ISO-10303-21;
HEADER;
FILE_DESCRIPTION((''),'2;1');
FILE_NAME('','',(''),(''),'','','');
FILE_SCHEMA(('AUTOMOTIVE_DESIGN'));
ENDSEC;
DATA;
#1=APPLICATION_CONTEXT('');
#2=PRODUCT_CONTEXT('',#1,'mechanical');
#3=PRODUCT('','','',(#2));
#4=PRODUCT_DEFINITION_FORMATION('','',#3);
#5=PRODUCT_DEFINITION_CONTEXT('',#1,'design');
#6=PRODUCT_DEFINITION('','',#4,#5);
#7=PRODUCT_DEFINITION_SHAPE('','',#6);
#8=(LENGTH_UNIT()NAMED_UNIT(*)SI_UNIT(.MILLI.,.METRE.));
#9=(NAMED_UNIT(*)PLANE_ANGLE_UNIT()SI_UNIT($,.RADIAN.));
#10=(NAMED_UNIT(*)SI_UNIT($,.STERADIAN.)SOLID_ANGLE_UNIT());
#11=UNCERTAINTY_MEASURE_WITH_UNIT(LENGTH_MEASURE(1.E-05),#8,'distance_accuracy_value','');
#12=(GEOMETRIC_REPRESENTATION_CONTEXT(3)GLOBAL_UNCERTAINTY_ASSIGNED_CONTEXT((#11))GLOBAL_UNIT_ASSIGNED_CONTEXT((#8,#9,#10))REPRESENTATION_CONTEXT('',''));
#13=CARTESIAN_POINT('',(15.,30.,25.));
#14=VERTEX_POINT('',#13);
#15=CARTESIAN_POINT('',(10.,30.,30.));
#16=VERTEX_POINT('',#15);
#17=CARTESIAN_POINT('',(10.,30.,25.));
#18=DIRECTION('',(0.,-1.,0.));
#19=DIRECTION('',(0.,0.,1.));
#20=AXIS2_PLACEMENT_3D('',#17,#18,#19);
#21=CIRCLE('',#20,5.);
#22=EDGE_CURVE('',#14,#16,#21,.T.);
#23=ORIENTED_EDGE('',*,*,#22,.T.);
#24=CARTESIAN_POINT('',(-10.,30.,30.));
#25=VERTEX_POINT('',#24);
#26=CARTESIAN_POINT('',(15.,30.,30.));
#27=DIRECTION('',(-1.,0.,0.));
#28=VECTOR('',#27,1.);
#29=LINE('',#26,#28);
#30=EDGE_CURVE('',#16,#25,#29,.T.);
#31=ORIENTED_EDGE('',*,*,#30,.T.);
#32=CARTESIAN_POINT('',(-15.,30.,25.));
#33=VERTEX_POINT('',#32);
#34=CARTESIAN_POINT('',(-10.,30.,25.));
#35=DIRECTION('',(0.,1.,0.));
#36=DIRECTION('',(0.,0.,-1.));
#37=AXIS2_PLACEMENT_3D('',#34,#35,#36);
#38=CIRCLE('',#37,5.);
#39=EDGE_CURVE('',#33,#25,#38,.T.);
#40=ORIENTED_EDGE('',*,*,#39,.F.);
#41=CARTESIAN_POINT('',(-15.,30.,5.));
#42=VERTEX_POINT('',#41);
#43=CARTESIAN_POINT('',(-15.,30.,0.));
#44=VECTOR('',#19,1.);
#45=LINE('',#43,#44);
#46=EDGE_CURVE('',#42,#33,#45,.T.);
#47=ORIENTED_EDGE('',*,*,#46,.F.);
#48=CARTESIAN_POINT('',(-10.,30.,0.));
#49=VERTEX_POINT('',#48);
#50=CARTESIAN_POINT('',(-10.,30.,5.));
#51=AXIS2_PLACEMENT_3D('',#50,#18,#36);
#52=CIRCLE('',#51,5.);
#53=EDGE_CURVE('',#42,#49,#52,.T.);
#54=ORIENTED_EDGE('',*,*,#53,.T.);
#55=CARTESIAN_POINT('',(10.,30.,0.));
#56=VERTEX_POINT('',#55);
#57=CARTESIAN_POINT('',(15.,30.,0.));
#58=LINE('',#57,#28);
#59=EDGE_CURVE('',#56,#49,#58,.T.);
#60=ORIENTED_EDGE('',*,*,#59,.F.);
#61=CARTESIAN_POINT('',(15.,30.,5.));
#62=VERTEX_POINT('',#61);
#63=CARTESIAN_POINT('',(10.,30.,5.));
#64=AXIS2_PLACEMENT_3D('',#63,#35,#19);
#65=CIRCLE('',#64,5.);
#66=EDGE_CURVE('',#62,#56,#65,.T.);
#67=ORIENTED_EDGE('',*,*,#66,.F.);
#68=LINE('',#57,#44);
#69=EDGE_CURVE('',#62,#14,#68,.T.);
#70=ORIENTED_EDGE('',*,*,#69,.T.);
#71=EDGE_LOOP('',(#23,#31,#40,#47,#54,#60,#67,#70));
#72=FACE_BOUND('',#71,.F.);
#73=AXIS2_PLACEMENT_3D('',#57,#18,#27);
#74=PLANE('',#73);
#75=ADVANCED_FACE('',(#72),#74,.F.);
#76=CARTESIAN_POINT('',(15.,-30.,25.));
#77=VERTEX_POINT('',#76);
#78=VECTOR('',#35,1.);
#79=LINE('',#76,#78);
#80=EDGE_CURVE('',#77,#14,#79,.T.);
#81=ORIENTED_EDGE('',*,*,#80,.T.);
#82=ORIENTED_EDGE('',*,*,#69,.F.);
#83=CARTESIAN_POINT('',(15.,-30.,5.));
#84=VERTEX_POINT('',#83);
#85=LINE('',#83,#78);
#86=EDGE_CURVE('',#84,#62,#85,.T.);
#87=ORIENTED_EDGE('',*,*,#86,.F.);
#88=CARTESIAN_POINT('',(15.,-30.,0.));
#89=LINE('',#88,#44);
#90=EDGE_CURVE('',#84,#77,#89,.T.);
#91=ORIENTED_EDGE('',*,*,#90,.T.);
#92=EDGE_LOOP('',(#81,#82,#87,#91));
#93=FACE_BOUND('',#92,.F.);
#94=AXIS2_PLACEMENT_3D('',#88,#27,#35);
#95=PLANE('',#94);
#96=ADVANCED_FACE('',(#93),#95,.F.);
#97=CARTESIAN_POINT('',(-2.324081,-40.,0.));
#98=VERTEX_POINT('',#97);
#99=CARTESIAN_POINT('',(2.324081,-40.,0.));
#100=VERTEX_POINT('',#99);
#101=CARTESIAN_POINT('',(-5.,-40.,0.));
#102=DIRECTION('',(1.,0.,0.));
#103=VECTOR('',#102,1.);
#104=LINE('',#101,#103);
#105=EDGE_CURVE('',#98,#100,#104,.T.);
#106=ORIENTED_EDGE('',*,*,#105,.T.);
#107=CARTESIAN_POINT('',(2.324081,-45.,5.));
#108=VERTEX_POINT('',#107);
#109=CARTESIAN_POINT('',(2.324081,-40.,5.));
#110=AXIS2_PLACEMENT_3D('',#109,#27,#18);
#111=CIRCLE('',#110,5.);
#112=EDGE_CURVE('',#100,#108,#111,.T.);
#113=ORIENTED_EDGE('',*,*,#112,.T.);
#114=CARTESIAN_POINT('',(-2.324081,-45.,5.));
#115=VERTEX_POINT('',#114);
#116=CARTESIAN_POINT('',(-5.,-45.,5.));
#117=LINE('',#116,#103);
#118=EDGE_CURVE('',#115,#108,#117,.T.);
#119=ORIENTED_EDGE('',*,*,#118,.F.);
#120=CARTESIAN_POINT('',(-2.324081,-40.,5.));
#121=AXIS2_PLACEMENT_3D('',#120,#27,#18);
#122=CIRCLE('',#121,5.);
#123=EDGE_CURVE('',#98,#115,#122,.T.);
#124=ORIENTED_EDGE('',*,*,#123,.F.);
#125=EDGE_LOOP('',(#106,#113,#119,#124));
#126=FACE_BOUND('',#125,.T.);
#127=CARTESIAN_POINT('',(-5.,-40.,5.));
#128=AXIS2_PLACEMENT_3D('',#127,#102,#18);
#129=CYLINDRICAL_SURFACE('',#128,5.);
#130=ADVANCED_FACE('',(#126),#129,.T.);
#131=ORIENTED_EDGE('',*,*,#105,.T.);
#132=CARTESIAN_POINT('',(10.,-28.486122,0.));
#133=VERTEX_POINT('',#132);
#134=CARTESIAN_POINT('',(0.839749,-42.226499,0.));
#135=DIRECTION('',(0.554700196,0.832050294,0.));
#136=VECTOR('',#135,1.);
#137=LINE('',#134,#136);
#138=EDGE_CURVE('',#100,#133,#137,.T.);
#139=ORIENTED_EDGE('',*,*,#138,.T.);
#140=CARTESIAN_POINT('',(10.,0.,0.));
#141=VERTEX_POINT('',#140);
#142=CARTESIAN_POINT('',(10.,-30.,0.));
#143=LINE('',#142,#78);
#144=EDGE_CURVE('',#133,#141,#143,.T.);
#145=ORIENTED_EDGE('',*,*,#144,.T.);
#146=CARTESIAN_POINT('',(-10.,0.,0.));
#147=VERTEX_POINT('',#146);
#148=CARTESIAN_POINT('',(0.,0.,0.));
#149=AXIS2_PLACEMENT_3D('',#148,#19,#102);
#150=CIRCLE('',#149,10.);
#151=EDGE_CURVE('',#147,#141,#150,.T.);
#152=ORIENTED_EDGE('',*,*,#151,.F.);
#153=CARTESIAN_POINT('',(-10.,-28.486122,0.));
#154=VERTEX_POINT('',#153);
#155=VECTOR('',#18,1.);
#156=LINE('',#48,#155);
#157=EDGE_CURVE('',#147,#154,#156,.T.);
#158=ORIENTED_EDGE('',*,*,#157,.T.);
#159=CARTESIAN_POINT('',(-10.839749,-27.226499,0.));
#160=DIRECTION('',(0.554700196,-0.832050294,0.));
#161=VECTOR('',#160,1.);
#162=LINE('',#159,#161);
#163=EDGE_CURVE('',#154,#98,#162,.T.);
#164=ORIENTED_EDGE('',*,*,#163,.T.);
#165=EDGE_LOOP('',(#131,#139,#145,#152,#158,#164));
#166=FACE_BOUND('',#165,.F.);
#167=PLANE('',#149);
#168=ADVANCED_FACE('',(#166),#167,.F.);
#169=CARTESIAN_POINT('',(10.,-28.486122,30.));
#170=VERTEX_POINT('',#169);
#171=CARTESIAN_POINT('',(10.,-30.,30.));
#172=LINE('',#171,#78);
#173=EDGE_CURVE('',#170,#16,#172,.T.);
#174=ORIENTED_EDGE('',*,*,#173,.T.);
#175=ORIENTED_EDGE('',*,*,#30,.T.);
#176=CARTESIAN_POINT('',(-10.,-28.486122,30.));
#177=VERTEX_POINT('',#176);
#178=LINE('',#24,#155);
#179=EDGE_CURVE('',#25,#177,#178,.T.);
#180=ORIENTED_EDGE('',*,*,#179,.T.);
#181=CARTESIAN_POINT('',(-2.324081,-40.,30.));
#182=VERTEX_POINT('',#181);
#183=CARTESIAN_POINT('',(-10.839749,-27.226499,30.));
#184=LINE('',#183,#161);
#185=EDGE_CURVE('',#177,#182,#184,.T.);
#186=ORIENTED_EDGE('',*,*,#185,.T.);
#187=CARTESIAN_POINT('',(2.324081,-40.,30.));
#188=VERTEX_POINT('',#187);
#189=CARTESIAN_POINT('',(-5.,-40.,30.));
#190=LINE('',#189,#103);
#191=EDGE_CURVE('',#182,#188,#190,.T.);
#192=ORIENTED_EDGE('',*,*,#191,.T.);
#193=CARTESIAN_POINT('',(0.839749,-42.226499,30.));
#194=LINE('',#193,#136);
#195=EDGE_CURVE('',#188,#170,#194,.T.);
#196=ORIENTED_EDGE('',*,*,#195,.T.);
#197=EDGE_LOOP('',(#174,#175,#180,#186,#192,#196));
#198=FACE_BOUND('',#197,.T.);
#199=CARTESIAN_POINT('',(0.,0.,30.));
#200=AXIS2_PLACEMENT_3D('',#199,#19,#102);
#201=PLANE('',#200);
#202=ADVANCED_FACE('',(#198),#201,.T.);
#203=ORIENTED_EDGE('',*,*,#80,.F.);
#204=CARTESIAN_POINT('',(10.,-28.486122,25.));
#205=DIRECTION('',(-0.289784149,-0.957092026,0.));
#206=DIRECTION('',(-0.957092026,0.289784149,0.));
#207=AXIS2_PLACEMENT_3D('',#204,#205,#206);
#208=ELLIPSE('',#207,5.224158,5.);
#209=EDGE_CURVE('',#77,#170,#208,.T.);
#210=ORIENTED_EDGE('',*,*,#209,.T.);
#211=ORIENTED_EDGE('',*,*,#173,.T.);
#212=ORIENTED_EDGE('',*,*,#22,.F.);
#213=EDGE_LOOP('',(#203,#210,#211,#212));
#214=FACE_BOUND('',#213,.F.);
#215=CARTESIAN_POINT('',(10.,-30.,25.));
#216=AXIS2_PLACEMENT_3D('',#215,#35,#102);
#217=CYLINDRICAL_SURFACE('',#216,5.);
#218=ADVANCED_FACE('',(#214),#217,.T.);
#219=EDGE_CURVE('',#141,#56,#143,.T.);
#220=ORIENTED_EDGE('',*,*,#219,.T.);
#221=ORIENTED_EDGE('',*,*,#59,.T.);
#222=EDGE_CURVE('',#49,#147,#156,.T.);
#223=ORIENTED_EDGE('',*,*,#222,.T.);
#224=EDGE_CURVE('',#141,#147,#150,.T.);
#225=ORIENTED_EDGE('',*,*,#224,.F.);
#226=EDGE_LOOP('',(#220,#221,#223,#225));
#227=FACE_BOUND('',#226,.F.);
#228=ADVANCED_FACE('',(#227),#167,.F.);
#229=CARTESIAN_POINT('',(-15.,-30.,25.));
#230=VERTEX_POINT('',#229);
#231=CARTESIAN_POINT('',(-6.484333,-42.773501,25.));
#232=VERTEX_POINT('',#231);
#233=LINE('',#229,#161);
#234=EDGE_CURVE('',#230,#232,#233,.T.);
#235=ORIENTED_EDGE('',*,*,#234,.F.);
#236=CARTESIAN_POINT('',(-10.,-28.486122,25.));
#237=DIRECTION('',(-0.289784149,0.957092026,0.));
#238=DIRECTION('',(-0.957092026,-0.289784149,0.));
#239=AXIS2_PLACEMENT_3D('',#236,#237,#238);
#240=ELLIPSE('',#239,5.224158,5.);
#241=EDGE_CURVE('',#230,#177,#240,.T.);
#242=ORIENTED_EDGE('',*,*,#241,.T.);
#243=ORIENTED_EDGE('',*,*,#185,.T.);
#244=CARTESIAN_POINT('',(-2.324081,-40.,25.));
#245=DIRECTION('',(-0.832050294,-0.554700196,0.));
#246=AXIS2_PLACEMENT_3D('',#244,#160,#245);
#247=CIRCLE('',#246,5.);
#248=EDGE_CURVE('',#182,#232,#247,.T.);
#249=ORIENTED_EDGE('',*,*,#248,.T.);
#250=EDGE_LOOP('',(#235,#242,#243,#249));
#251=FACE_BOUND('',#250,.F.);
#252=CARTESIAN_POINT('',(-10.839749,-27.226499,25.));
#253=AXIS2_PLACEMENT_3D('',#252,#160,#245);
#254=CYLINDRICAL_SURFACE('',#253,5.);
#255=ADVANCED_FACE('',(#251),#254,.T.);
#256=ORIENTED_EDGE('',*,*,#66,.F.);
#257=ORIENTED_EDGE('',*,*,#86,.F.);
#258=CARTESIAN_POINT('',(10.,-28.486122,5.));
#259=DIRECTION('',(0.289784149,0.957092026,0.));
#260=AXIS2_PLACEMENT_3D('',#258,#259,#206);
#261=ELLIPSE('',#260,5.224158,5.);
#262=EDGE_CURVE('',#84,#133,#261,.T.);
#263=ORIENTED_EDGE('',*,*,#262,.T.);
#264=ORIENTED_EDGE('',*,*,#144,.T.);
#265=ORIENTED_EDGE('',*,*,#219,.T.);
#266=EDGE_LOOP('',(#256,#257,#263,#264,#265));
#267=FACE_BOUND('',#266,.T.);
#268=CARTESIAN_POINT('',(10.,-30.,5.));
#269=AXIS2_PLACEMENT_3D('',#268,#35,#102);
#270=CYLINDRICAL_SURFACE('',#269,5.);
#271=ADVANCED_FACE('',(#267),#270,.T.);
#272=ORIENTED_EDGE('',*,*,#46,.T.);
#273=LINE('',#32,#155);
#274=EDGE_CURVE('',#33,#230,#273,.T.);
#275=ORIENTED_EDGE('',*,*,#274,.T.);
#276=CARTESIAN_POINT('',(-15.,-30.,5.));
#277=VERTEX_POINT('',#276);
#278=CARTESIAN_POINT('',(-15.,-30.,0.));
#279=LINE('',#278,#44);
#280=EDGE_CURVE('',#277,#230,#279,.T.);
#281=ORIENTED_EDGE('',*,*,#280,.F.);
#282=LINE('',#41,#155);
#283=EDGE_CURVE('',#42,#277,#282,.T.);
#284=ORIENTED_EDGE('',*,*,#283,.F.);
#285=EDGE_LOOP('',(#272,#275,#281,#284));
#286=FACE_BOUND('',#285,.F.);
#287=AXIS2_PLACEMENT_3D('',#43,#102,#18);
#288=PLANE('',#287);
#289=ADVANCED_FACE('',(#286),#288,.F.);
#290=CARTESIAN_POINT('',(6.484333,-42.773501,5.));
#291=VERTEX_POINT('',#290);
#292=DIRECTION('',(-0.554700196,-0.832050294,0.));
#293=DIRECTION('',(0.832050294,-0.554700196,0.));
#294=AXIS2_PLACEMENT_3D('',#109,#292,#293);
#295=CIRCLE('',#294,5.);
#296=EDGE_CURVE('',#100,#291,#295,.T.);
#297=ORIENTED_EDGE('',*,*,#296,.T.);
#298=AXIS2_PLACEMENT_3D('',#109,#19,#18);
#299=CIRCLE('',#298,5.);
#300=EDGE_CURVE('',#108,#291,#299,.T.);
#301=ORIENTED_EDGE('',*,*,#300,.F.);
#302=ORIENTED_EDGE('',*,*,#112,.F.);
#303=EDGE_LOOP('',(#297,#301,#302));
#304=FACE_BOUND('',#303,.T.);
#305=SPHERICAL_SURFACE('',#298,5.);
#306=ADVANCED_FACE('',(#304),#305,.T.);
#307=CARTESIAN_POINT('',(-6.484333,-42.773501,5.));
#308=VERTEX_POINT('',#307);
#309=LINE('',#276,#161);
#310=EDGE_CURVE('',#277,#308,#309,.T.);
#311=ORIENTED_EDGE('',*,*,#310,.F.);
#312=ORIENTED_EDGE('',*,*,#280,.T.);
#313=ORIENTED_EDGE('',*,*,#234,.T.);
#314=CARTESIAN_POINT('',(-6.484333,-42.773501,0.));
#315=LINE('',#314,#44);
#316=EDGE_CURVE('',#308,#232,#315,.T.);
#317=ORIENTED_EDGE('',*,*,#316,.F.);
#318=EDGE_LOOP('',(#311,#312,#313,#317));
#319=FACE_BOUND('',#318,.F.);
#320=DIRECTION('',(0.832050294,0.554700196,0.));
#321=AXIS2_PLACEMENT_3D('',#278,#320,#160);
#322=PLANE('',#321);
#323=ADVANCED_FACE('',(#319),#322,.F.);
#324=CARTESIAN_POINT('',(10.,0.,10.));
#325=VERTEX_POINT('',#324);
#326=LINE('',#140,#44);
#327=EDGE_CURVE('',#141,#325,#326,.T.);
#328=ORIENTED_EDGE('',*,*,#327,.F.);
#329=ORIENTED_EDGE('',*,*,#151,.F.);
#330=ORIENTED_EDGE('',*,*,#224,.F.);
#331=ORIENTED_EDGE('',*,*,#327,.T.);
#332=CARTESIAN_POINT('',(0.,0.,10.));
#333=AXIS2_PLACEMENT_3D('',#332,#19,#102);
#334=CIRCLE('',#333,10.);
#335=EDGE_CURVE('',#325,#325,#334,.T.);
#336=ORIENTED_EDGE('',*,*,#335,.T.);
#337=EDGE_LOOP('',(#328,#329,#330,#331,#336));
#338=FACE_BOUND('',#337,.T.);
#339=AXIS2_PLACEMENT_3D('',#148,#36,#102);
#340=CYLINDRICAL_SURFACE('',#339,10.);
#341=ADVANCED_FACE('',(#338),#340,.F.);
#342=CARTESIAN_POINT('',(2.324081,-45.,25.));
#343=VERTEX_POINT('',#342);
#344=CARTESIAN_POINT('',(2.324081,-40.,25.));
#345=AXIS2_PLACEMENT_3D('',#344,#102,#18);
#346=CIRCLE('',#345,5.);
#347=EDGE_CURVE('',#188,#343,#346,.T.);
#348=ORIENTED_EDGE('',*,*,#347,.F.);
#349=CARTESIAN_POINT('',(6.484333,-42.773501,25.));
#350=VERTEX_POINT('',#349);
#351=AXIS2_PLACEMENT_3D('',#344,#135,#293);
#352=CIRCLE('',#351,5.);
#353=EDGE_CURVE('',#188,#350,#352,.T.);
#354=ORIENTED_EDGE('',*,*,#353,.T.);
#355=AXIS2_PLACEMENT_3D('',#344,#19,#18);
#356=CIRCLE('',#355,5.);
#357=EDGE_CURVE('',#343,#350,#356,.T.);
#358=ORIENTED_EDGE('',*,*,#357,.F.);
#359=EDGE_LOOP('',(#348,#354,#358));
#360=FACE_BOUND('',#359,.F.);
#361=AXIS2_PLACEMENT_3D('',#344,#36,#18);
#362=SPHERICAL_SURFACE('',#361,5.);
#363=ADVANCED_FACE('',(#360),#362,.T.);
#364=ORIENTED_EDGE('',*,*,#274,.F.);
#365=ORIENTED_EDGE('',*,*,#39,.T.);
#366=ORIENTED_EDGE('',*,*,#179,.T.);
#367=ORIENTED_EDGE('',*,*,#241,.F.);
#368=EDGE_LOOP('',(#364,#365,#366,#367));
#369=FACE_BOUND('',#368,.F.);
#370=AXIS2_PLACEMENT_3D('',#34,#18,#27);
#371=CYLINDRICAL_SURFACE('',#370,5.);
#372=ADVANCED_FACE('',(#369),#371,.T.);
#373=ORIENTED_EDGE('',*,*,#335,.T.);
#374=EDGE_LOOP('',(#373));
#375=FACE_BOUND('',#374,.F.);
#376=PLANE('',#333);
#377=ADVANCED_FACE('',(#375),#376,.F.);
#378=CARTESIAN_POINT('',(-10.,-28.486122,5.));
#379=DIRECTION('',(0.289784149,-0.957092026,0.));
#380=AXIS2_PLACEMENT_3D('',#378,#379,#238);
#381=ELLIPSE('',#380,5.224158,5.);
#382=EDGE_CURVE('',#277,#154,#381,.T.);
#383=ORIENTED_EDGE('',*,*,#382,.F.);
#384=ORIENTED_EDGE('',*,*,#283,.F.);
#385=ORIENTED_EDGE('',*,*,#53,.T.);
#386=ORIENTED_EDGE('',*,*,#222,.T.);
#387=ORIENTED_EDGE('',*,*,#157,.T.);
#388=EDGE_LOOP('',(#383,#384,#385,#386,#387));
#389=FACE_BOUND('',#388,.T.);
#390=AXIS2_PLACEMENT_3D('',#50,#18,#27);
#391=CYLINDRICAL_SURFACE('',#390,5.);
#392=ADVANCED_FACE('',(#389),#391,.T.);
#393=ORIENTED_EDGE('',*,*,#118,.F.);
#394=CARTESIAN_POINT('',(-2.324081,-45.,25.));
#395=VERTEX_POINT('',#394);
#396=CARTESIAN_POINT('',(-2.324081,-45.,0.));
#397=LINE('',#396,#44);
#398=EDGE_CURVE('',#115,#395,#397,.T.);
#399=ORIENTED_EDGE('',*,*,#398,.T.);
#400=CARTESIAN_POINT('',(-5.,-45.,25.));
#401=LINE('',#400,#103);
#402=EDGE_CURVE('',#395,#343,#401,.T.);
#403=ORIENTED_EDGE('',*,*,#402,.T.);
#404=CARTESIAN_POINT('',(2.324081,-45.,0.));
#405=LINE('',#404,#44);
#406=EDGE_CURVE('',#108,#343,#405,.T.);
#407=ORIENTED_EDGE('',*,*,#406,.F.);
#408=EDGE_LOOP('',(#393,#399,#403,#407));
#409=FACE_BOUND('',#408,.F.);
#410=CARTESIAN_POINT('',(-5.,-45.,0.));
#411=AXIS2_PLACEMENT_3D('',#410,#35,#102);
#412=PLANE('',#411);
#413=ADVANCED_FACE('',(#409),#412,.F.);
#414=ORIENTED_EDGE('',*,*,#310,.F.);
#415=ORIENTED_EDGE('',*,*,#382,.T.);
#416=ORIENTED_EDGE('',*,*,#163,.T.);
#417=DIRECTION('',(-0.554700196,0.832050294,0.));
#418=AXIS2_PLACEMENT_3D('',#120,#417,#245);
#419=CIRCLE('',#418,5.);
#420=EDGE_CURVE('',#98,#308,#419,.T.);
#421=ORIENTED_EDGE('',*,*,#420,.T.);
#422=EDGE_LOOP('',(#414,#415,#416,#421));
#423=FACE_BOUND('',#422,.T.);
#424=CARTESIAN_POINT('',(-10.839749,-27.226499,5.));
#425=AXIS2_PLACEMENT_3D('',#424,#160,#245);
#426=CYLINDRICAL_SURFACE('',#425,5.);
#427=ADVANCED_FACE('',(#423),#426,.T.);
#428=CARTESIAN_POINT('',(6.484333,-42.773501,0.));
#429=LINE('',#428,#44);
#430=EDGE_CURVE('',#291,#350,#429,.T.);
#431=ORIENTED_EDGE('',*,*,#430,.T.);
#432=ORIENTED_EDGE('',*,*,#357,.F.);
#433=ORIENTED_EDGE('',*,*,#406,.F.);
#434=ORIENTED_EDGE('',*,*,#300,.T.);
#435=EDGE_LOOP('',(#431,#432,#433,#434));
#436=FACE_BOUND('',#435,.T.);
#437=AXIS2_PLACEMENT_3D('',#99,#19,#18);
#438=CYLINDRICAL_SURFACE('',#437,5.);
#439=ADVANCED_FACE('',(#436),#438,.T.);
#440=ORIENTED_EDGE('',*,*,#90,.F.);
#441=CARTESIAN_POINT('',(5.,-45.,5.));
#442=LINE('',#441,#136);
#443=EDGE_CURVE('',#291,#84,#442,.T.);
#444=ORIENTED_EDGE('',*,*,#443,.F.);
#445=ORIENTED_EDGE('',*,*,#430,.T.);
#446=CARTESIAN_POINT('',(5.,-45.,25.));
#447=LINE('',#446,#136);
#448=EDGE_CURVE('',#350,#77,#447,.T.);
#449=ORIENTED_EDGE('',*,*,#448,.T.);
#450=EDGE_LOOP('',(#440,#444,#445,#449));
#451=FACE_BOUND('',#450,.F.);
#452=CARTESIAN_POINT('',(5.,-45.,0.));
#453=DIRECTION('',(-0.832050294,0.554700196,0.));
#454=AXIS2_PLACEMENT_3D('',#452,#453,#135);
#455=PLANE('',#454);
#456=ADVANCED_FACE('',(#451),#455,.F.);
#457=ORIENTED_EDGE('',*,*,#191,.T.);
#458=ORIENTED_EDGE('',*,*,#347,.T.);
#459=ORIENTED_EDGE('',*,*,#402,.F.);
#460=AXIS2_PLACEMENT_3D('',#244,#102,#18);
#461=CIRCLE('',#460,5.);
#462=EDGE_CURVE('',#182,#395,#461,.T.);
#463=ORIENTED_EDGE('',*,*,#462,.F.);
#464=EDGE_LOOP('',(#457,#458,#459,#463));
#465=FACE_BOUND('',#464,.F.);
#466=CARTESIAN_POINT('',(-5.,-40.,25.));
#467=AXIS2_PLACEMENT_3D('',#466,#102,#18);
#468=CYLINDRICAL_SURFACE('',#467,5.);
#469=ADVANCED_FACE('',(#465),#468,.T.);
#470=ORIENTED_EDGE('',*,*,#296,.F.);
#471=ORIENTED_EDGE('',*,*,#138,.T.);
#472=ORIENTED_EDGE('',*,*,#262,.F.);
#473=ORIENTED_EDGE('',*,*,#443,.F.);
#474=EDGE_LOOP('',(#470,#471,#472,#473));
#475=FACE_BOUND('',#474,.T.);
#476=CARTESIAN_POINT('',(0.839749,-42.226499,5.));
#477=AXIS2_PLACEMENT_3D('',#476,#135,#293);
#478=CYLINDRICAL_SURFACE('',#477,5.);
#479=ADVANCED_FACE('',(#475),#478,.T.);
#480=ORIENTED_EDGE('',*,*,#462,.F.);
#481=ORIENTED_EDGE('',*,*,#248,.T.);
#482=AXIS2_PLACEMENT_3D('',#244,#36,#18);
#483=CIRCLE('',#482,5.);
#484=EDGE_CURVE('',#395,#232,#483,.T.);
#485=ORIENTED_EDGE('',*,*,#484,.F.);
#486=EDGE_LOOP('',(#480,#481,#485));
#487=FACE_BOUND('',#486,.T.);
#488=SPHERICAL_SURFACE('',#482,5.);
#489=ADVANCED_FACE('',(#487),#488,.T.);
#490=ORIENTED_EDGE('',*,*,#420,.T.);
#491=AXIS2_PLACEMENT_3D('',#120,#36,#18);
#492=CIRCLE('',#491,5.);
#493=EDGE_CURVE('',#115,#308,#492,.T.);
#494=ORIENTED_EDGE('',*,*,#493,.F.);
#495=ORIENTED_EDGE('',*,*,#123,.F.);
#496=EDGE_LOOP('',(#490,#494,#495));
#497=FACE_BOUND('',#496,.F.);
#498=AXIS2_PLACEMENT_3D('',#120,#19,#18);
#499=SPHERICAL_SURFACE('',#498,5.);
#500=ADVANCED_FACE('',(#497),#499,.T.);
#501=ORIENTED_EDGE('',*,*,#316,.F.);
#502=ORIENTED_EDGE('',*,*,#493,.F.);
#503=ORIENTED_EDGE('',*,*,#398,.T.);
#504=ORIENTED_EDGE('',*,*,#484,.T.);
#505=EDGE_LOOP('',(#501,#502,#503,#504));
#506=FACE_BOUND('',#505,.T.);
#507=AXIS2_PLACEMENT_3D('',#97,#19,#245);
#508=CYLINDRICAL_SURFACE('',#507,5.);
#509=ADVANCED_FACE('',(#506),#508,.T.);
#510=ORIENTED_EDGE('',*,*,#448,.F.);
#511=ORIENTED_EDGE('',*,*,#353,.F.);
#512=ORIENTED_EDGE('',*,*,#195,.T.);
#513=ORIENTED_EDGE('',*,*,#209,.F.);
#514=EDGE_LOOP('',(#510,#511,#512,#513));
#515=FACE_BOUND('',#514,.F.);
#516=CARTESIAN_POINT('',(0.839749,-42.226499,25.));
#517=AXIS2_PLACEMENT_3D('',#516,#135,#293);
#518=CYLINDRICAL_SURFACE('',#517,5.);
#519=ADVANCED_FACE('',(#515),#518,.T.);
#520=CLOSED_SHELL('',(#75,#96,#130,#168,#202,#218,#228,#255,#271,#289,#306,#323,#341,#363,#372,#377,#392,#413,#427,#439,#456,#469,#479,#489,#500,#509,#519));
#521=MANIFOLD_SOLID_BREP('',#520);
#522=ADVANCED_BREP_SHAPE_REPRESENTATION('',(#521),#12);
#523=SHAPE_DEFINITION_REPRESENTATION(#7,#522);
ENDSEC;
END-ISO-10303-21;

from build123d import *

# Parameters (mm, degrees)
F0_R     = 10
F1_DEPTH = 30
F2_R     = 5
F3_DEPTH = 10


with BuildPart() as f1:
    # F0 (on Top) → F1 (new body)
    with BuildSketch(Plane.XY):
        Polygon((15, 30), (-15, 30), (-15, -30), (0, -30), (15, -30), align=None)
        Circle(F0_R, mode=Mode.SUBTRACT)
        Polygon((0, -30), (-15, -30), (-5, -45), (0, -45), align=None)
        Polygon((5, -45), (15, -30), (0, -30), (0, -45), align=None)
        Circle(F0_R)
    extrude(amount=F1_DEPTH)

    # F2
    f2_edges = [f1.edges().sort_by_distance(p)[0] for p in [
        (15, 0, 0),
        (-15, 0, 0),
        (-15, 0, 30),
        (15, 0, 30),
        (-10, -37.5, 30),
        (10, -37.5, 30),
        (-5, -45, 15),
        (5, -45, 15),
        (0, -45, 0),
        (0, -45, 30),
        (10, -37.5, 0),
        (-10, -37.5, 0),
    ]]
    fillet(f2_edges, radius=F2_R)

    # F0 (on Top) → F3 (cut)
    with BuildSketch(Plane.XY):
        Circle(F0_R)
    extrude(amount=F3_DEPTH, mode=Mode.SUBTRACT)


solid = f1.part
